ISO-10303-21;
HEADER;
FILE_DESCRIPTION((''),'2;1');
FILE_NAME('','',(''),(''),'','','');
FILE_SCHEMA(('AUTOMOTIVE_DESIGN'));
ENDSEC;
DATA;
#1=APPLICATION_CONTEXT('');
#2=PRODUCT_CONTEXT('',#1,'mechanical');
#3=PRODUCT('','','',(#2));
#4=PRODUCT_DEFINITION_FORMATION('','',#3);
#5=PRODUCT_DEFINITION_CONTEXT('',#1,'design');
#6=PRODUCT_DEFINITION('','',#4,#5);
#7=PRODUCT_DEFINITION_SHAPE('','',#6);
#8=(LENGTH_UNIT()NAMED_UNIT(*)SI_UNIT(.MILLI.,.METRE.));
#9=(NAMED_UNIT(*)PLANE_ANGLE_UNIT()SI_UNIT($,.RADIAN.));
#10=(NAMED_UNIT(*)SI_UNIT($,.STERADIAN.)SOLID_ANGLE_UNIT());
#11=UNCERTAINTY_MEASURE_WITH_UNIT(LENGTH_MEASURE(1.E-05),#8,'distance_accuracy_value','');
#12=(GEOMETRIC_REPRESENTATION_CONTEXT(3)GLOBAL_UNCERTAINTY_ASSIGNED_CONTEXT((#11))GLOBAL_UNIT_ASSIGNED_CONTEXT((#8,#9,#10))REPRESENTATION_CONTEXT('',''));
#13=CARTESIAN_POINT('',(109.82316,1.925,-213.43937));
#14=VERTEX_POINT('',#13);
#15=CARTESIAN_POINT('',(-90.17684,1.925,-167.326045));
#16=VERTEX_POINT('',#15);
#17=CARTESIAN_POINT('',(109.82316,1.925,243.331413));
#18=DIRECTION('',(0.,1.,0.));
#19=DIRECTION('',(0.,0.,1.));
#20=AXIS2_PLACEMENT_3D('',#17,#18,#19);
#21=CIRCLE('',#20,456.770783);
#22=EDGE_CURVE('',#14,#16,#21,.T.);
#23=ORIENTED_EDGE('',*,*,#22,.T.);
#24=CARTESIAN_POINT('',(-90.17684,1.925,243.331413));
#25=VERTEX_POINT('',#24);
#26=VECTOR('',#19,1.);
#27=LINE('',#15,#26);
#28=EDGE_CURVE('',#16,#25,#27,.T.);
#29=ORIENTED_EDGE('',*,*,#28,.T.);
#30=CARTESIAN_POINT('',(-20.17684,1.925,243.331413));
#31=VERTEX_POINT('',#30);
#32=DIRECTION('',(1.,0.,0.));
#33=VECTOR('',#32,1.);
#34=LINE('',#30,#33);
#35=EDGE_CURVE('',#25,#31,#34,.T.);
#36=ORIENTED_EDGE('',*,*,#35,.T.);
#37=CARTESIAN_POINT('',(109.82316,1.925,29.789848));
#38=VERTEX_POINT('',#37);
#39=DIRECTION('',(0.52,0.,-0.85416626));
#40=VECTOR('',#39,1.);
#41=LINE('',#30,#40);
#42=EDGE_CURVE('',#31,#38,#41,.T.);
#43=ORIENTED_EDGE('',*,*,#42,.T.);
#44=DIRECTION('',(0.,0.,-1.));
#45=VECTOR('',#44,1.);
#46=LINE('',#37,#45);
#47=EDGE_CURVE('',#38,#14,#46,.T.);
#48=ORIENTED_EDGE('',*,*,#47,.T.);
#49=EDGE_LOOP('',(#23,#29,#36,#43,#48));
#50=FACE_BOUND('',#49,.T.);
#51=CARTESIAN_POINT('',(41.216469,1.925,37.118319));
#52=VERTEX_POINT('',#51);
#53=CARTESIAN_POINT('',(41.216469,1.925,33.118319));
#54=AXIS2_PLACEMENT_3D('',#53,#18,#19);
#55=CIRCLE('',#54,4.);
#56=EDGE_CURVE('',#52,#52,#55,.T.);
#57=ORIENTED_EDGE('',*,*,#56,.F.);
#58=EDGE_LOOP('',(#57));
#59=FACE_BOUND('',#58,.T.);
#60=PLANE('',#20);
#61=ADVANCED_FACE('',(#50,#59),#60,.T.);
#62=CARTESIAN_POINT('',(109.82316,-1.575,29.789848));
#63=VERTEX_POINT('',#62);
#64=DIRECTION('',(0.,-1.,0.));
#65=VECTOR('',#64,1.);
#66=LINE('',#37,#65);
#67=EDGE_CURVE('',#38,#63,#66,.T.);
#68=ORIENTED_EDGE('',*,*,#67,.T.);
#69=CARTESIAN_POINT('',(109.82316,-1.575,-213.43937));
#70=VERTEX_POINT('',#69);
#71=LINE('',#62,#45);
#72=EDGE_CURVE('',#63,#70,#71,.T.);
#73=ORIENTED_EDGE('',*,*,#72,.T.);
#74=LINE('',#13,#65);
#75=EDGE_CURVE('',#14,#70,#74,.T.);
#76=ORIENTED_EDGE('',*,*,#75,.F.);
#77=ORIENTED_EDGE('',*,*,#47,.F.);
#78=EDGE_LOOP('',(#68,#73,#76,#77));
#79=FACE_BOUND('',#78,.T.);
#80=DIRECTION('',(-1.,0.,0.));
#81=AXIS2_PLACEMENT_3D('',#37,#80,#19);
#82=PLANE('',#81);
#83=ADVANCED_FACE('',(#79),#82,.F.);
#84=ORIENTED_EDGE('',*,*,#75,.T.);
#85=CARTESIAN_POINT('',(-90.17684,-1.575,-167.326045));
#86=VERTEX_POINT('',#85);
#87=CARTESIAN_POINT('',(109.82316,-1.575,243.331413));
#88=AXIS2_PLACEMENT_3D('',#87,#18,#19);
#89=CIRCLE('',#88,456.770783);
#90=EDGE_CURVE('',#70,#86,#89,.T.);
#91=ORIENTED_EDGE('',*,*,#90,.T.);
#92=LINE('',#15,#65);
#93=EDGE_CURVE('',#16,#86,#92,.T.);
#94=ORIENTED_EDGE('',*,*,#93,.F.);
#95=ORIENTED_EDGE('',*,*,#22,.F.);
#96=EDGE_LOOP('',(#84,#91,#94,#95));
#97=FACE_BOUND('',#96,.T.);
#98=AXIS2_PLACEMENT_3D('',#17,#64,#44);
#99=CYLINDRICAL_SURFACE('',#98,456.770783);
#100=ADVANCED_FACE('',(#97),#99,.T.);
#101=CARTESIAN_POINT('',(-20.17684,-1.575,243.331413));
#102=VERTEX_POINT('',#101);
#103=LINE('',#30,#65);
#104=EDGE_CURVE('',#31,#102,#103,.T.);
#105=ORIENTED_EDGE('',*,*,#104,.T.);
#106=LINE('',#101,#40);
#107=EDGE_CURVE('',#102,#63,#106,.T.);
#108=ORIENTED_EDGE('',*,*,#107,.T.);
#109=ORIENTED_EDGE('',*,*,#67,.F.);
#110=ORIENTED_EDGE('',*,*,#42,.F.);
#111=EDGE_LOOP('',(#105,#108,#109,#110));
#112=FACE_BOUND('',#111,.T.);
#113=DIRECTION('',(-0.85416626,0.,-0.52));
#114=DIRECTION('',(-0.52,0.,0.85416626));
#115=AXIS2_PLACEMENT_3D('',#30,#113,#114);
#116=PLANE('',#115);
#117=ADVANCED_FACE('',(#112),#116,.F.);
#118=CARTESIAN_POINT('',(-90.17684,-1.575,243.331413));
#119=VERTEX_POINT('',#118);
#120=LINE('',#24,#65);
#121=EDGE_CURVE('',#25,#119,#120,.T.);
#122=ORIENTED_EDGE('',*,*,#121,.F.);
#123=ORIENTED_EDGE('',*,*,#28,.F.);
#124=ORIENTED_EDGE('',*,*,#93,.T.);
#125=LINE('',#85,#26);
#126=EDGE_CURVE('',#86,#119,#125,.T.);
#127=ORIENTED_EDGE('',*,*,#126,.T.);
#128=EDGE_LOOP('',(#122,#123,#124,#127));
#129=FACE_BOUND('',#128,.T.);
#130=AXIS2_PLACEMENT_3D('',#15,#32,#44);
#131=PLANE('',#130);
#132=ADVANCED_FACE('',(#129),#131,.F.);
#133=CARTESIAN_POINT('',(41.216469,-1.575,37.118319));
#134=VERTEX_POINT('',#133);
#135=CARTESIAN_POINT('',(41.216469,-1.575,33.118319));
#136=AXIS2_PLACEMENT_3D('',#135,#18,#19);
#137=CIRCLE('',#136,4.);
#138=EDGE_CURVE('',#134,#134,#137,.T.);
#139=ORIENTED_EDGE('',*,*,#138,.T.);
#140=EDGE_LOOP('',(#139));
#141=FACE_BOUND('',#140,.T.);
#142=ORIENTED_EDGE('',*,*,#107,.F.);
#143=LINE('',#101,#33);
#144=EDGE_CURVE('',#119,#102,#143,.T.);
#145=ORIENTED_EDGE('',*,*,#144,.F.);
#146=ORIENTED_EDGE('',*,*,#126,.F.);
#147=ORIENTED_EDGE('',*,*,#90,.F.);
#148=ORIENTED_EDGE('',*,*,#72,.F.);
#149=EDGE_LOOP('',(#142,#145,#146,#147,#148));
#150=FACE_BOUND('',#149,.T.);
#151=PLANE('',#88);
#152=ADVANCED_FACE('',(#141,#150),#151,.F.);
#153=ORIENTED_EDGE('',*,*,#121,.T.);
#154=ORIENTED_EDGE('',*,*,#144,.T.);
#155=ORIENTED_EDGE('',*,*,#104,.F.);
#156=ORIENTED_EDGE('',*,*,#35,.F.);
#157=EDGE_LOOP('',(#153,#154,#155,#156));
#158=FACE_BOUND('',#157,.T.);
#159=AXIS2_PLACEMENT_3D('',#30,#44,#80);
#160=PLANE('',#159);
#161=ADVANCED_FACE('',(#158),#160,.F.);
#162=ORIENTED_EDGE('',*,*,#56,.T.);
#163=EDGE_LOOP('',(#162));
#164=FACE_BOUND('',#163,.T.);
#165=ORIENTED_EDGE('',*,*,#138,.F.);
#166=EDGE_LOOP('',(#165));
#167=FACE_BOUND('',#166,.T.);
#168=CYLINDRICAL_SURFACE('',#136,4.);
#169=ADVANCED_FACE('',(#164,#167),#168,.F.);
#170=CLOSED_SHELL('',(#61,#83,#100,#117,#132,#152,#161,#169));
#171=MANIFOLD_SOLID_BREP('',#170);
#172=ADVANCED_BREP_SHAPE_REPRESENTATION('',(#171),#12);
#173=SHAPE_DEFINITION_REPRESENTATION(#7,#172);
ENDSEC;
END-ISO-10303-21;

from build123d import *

# Parameters (mm, degrees)
BOSS_EXTRUDE1_DEPTH     = 0.35
SCALE1_SCALE            = 10
SKETCH2_R               = 4
CUT_EXTRUDE1_DEPTH      = 1
CUT_EXTRUDE1_DEPTH_BACK = 4.5


with BuildPart() as part:
    # Sketch1 → Boss-Extrude1 (new body)
    with BuildSketch(Plane(origin=(0, 0, 0), x_dir=(1, 0, 0), z_dir=(0, 1, 0))):
        with BuildLine():
            Line((-0.845785748, -19.220149774), (12.154214252, 2.13400673))
            Line((12.154214252, 2.13400673), (12.154214252, 26.456928478))
            ThreePointArc((12.154214252, 26.456928478), (1.891851134, 25.289168137), (-7.845785748, 21.84559602))
            Line((-7.845785748, 21.84559602), (-7.845785748, -19.220149774))
            Line((-7.845785748, -19.220149774), (-0.845785748, -19.220149774))
        make_face()
    extrude(amount=BOSS_EXTRUDE1_DEPTH)


with BuildPart() as part_1:
    # Scale1: scaled about (1.302109207, 0.175, -5.681101669)
    add(part.part.scale(SCALE1_SCALE).moved(Location((-11.718982863, -1.575, 51.129915021))))

    # Sketch2 → Cut-Extrude1 (cut, two sides)
    with BuildSketch(Plane(origin=(0, 1.925, 0), x_dir=(1, 0, 0), z_dir=(0, 1, 0))) as cut_extrude1_sk:
        with Locations((41.216468576, -33.118318866)):
            Circle(SKETCH2_R)
    extrude(amount=CUT_EXTRUDE1_DEPTH, mode=Mode.SUBTRACT)
    extrude(cut_extrude1_sk.sketch, amount=-CUT_EXTRUDE1_DEPTH_BACK, mode=Mode.SUBTRACT)


solid = part_1.part
